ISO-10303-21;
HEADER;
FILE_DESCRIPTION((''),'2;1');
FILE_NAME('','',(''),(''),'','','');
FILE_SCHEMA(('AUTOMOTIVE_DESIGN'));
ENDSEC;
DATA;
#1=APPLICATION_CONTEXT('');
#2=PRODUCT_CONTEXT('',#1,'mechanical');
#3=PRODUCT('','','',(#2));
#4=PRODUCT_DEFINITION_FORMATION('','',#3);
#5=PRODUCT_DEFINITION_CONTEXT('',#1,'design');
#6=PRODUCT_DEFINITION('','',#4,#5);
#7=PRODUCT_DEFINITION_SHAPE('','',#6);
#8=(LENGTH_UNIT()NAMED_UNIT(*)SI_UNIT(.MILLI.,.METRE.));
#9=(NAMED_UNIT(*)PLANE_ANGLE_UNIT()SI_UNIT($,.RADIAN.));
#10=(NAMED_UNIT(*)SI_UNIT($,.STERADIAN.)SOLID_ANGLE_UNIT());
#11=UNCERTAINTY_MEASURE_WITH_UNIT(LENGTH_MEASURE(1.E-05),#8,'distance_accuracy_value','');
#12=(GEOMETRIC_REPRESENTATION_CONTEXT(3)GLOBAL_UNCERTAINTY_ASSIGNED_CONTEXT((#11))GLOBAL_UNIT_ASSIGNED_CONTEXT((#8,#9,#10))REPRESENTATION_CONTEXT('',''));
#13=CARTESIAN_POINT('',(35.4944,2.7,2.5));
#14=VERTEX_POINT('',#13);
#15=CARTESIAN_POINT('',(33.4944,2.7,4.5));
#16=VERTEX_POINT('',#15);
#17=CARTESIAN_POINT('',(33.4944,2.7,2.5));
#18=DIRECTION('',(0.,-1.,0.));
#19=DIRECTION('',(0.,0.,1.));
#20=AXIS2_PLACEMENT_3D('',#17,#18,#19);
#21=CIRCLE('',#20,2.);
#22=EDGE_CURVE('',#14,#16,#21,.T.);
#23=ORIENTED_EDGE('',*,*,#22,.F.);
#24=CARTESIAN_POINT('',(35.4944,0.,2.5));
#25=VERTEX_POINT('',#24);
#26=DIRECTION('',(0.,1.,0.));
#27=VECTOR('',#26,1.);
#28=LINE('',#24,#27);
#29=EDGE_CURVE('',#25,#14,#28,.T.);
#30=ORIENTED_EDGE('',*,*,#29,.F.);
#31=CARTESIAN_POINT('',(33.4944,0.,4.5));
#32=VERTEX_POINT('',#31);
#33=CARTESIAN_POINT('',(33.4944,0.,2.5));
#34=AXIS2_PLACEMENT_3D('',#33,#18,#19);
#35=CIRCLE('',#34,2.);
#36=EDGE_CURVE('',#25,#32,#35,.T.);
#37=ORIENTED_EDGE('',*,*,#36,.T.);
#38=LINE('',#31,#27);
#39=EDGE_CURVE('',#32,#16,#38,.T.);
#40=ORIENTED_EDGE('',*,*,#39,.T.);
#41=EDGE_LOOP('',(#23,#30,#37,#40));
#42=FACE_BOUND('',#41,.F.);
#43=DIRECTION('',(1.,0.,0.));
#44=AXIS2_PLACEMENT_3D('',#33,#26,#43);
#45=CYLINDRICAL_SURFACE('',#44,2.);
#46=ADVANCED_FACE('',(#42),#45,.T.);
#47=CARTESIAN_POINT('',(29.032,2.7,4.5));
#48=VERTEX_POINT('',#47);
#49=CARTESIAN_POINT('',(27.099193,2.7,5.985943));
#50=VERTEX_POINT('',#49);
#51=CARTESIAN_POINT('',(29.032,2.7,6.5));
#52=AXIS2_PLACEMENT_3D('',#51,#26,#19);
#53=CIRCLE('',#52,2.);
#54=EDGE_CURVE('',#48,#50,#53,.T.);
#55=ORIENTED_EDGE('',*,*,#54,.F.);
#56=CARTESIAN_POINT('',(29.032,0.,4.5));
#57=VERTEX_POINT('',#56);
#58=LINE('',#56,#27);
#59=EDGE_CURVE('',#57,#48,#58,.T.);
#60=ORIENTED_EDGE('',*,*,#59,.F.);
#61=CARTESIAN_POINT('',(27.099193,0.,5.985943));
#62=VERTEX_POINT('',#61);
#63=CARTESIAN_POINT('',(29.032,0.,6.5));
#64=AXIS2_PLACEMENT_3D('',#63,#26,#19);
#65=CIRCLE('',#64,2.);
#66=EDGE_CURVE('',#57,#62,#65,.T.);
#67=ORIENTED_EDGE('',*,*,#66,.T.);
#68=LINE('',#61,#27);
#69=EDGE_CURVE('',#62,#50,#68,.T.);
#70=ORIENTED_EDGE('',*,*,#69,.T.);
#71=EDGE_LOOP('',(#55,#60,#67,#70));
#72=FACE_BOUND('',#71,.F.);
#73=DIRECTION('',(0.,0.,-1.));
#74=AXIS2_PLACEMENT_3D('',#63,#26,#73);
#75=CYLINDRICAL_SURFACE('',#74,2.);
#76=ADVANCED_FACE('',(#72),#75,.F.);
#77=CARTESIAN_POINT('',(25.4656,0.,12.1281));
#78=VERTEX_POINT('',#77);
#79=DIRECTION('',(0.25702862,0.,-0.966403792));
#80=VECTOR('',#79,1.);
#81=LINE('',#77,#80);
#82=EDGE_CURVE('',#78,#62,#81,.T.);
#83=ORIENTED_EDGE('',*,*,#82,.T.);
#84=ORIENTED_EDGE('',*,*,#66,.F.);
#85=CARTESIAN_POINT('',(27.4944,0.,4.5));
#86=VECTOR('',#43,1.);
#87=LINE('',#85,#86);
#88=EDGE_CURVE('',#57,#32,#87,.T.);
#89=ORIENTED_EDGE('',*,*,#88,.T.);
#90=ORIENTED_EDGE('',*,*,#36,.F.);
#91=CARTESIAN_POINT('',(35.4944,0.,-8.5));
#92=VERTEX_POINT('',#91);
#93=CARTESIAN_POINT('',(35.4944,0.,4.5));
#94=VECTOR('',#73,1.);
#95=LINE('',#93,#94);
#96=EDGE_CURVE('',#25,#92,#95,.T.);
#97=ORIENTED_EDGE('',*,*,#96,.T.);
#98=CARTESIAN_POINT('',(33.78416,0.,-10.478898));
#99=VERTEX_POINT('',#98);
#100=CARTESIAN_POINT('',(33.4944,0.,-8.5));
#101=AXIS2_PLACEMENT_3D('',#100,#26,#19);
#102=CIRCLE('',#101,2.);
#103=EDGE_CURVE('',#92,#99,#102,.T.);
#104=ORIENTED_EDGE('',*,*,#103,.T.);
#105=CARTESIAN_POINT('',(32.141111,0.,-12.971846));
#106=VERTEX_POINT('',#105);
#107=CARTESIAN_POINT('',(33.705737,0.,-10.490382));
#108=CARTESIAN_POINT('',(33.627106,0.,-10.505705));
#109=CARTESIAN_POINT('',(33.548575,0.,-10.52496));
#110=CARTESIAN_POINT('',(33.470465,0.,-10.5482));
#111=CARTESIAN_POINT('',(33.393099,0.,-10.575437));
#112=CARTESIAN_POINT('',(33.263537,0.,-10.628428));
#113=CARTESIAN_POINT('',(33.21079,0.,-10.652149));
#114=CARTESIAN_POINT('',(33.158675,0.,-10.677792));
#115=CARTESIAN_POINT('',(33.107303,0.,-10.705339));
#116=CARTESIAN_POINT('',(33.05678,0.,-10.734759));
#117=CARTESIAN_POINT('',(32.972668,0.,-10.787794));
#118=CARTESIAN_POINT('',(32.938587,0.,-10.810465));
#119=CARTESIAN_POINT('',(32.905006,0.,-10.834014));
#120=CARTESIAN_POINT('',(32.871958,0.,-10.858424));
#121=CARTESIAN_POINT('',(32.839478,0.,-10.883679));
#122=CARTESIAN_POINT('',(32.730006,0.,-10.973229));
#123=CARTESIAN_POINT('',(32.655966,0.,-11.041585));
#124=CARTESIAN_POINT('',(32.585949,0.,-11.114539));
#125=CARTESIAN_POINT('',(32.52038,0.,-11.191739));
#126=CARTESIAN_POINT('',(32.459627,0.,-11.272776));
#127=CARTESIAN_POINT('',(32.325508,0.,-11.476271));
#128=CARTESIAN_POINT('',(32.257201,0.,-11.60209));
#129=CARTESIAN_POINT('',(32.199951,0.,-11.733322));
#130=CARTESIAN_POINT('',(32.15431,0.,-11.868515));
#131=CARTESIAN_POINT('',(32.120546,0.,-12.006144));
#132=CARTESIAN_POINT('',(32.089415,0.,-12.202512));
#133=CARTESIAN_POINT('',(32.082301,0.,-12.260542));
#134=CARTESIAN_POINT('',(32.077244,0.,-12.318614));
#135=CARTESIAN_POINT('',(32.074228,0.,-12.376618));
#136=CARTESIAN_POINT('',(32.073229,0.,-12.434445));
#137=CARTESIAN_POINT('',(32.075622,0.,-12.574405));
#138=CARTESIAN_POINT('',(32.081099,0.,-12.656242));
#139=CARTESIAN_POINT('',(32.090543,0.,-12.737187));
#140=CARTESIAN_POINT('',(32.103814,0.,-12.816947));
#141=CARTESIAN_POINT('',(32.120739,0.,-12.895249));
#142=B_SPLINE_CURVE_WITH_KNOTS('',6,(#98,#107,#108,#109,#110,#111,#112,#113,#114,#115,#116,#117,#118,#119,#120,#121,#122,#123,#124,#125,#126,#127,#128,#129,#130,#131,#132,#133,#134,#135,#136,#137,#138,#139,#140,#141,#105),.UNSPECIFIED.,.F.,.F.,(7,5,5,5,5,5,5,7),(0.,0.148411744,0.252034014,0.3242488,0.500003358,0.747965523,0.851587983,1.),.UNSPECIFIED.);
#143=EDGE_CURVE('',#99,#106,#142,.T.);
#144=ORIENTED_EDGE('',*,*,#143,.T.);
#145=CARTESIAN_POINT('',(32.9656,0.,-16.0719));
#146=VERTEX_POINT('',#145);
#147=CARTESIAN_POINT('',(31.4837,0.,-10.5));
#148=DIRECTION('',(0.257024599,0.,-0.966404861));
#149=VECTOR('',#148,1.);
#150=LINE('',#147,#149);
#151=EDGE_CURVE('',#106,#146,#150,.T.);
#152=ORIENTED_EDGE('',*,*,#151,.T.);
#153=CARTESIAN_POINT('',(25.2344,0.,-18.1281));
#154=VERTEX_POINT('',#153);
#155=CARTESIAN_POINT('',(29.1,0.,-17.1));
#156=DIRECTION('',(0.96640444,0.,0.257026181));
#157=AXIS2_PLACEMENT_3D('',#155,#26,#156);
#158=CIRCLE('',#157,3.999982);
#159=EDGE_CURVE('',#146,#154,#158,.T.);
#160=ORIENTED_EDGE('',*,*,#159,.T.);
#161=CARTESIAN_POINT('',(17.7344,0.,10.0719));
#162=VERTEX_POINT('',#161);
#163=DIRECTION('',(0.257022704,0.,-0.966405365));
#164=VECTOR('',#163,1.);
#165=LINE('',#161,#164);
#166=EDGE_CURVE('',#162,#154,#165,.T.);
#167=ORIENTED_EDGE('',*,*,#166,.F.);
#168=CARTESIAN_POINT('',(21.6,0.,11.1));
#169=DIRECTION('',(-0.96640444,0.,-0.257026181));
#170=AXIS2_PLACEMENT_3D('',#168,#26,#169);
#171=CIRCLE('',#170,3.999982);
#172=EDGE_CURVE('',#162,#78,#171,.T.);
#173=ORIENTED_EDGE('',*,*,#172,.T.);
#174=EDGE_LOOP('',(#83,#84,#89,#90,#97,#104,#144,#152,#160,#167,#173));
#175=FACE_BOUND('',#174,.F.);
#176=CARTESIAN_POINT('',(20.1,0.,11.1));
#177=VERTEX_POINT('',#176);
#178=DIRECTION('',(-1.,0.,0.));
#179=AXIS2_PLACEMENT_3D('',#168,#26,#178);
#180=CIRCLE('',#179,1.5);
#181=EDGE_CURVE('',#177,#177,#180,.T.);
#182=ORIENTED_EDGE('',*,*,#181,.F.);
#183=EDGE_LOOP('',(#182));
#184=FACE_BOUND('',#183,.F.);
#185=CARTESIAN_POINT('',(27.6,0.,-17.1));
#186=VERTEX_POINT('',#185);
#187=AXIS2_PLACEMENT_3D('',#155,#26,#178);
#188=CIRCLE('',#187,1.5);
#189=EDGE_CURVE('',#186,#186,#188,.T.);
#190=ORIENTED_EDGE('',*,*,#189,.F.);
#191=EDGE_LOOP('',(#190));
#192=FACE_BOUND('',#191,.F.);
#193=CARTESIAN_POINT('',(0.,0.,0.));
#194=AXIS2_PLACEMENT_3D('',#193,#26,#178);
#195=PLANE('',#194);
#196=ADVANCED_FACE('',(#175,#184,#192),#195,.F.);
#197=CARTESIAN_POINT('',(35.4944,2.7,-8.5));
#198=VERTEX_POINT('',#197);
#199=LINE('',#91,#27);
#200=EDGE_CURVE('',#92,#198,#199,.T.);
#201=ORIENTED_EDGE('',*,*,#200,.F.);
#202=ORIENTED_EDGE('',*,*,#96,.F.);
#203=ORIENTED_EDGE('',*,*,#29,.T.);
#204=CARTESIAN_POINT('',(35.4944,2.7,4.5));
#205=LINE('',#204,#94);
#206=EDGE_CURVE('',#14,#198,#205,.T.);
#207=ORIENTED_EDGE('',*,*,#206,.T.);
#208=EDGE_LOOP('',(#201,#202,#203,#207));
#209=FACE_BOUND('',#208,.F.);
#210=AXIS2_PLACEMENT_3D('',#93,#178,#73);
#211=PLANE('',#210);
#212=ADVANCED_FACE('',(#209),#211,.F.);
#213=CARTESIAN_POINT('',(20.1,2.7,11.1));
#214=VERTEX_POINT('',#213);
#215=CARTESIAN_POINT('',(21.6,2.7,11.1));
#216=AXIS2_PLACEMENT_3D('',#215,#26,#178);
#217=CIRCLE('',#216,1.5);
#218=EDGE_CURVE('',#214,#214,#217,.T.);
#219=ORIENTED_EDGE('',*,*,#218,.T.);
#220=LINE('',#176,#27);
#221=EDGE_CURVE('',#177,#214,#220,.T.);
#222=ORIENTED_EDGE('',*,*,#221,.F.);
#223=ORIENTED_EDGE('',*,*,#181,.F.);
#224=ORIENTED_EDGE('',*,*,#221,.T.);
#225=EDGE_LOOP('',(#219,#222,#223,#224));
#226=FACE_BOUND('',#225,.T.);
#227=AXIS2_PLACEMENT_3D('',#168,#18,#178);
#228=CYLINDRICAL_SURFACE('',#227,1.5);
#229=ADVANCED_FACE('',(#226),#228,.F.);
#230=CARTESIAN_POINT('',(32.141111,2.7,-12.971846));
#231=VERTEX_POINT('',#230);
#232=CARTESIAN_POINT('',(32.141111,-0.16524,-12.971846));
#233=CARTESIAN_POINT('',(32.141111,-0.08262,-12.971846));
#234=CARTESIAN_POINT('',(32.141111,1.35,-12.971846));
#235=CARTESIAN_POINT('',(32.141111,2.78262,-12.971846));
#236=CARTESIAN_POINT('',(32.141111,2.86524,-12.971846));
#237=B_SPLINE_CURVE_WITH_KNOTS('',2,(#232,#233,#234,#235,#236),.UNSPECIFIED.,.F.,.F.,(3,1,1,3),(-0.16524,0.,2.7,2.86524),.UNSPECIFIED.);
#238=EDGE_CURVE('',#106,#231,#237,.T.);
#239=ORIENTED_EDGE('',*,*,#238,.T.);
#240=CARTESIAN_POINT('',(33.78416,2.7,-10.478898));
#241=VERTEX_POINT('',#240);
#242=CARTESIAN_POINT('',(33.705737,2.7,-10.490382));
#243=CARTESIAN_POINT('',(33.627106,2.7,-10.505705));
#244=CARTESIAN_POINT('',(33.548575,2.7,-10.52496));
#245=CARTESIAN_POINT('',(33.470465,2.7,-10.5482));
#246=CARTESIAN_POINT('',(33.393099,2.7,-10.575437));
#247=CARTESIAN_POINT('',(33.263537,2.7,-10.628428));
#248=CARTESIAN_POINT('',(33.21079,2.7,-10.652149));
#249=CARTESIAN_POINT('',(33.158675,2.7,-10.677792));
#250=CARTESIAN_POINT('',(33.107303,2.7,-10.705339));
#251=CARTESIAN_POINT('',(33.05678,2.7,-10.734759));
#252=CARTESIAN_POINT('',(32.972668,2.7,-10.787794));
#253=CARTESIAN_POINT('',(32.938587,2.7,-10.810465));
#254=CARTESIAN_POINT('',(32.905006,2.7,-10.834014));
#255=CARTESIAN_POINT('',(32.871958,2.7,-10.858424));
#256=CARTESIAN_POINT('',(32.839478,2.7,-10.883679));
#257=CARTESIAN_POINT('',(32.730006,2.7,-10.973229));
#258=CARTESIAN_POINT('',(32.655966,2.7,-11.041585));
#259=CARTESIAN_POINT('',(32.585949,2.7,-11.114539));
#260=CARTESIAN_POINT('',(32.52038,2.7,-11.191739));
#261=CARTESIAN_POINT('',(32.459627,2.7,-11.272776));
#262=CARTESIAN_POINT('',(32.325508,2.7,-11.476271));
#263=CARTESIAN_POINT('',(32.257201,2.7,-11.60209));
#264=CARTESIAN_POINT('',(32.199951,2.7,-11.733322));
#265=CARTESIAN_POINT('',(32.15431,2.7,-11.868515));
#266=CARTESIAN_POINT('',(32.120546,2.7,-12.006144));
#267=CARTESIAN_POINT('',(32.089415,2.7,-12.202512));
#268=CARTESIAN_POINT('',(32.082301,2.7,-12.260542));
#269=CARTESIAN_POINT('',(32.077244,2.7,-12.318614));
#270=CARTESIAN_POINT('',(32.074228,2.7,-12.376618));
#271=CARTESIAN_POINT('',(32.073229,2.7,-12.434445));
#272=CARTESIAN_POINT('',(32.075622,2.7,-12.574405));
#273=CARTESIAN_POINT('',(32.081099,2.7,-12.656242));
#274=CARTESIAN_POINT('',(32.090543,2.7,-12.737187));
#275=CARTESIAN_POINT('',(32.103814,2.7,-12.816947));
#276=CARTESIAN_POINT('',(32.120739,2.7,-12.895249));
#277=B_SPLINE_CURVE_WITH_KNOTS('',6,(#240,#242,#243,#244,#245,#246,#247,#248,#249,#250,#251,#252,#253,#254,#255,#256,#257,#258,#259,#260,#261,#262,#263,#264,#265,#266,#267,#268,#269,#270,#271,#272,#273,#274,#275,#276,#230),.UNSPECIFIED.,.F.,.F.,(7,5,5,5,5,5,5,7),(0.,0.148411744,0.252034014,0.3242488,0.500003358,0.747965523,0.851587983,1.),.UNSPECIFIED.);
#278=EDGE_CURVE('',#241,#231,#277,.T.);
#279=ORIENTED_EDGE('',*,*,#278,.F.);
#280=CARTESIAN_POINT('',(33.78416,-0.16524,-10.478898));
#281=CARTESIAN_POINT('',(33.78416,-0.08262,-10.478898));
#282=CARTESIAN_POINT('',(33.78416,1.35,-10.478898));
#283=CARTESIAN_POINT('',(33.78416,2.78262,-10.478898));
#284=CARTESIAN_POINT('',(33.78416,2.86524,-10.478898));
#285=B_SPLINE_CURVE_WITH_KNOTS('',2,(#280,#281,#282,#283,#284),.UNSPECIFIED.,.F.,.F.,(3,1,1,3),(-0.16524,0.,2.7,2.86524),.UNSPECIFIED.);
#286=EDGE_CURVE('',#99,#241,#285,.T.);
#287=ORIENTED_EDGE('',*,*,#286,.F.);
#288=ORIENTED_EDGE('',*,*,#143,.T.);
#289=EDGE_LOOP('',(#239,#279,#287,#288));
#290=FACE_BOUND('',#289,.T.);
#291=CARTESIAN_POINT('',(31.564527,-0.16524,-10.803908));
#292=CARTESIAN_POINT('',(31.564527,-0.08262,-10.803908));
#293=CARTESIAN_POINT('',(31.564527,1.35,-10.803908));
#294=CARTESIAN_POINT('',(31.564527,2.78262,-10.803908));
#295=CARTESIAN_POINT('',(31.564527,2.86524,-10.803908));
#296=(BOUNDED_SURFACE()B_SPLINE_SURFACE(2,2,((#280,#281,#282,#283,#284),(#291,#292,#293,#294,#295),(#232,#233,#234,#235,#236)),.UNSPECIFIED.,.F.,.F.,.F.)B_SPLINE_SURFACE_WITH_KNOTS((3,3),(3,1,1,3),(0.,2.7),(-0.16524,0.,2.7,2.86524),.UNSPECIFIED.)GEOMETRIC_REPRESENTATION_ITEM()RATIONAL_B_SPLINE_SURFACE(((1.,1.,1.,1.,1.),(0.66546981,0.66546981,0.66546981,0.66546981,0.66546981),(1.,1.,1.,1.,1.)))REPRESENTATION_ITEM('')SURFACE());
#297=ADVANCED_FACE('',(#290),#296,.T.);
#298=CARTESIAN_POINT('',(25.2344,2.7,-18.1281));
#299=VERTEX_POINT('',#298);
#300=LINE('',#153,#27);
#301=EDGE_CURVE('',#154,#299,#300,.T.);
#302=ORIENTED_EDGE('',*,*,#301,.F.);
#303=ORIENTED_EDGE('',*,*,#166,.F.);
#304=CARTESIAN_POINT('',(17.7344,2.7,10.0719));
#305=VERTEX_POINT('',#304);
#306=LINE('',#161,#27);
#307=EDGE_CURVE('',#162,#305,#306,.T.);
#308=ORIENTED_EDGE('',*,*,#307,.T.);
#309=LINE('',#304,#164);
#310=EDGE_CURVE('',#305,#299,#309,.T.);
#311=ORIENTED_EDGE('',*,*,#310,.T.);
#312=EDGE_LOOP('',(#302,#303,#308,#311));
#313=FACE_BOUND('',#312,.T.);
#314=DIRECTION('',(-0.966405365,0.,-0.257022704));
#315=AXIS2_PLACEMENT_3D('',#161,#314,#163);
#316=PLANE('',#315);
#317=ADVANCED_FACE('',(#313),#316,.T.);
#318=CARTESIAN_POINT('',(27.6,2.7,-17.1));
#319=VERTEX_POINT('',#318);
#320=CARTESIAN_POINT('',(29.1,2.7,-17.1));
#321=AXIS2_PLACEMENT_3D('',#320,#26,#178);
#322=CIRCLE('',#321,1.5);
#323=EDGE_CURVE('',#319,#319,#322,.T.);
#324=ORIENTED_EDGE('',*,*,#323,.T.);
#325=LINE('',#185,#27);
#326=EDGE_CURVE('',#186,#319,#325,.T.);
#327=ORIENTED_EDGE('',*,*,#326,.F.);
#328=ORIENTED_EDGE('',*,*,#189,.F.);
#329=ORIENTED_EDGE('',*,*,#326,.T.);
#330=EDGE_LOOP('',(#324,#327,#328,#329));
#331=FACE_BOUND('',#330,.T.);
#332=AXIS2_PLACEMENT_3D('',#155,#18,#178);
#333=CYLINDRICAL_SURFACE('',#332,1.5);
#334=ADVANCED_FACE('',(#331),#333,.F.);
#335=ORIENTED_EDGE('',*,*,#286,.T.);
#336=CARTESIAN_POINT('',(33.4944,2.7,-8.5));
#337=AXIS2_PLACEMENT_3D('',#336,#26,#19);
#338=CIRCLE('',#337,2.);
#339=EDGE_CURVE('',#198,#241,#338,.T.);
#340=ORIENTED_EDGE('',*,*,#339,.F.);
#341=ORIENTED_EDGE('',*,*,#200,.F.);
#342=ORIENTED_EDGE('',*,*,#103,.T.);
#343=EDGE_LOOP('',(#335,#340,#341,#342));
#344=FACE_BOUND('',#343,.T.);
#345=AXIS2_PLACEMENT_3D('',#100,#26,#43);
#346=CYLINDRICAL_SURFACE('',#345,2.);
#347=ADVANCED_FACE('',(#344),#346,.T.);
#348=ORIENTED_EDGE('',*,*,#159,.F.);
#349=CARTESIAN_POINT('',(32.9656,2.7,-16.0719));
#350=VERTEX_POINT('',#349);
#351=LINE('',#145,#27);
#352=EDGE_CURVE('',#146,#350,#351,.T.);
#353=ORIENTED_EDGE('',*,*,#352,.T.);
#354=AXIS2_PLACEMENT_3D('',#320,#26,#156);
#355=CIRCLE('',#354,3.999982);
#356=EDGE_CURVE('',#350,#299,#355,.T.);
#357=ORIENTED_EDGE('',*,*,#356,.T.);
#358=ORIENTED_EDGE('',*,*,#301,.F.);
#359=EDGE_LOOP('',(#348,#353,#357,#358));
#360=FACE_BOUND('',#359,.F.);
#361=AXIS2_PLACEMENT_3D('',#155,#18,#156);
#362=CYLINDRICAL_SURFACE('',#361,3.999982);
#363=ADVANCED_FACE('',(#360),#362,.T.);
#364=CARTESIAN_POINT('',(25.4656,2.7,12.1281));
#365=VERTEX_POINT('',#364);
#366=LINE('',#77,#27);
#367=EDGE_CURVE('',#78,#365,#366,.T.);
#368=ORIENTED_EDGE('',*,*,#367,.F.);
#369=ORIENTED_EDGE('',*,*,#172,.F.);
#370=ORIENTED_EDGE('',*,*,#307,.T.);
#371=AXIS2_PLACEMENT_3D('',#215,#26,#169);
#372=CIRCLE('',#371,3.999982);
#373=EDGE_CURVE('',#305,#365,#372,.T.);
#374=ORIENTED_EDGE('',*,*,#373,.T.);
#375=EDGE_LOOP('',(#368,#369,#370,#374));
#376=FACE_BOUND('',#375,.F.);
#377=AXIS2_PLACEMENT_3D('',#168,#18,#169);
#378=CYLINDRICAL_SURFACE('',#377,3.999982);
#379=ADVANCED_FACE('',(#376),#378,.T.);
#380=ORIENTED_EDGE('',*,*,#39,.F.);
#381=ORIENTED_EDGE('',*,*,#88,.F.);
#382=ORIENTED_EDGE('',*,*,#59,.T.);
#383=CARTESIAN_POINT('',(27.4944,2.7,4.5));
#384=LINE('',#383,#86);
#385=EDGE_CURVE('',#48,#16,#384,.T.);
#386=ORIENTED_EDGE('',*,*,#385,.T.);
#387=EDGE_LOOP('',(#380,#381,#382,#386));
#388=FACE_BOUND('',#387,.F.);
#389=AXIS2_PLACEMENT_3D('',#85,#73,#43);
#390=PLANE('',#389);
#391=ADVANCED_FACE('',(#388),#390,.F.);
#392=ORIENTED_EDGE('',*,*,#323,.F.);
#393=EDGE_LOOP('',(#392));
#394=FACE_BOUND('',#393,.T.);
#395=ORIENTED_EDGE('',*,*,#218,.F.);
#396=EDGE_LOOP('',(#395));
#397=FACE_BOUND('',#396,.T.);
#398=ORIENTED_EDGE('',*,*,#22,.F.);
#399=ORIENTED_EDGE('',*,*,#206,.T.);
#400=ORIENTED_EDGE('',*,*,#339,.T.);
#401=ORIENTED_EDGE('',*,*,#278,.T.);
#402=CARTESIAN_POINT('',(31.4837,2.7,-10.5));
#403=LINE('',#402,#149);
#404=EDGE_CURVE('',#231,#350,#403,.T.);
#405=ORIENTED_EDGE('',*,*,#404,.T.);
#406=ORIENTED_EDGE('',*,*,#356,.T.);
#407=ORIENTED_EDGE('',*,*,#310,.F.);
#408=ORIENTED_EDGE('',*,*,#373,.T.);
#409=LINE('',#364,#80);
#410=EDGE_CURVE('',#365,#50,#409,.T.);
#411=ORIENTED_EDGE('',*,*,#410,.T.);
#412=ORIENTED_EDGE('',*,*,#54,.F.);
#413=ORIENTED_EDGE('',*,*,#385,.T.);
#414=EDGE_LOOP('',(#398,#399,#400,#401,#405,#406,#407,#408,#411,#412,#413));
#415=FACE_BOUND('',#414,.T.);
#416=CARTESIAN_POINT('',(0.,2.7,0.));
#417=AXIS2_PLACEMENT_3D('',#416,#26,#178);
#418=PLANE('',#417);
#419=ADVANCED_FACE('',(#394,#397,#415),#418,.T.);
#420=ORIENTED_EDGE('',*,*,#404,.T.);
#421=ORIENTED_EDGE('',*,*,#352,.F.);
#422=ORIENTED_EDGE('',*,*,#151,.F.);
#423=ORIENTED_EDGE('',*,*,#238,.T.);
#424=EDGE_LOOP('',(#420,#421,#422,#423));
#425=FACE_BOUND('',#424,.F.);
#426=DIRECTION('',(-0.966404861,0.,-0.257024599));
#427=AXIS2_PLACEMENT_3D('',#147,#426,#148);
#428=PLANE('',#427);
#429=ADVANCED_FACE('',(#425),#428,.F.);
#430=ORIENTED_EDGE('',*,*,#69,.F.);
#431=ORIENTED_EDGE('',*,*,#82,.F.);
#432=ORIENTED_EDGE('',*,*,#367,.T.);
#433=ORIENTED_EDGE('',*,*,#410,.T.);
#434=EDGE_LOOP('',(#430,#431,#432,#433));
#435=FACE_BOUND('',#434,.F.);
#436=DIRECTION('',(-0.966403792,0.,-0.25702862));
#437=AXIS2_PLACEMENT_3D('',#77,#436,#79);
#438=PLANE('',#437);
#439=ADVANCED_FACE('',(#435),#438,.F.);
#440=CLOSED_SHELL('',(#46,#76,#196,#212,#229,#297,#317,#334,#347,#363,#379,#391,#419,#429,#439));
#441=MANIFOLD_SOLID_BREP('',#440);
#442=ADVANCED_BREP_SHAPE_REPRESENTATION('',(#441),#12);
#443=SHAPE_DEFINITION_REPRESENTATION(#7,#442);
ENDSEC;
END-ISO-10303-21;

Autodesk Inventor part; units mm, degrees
ref_plane "YZ Plane" through (0, 0, 0) normal (1, 0, 0) x (0, 1, 0)
ref_plane "XZ Plane" through (0, 0, 0) normal (0, 1, 0) x (-1, 0, 0)
ref_plane "XY Plane" through (0, 0, 0) normal (0, 0, 1) x (1, 0, 0)
sketch "Sketch1" plane through (0, 0, 0) normal (0, 1, 0) x (-1, 0, 0)
  line L0 (0, -3) -> (-10, -3)
  circle A0 centre (-21.6, 11.1) radius 1.5
  line L1 (0, 35) -> (-45, 35)
  line L2 (0, 0) -> (0, 35)
  circle A1 centre (-29.1, -17.1) radius 1.5
  arc A2 (-17.7344, 10.0719) -> (-25.4656, 12.1281) centre (-21.6, 11.1) ccw
  arc A3 (-32.9656, -16.0719) -> (-25.2344, -18.1281) centre (-29.1, -17.1) ccw
  line L3 (-17.7344, 10.0719) -> (-25.2344, -18.1281)
  line L4 (-27.4944, 4.5) -> (-35.4944, 4.5)
  line L5 (-35.4944, 4.5) -> (-35.4944, -10.5)
  line L6 (-35.4944, -10.5) -> (-31.4837, -10.5)
  line L7 (-25.4656, 12.1281) -> (-27.4944, 4.5)
  line L8 (-31.4837, -10.5) -> (-32.9656, -16.0719)
  point P0 (-35.4944, -3)
  dimension "d0" = 10
  dimension "d1" = 3
  dimension "d2" = 14.1
  dimension "d3" = 3
  dimension "d7" = 45
  dimension "d8" = 35
  dimension "d9" = 23.4
  dimension "d10" = 3
  dimension "d11" = 14.1
  dimension "d12" = 15.9
  dimension "d13" = 2.5
  dimension "d14" = 2.5
  dimension "d15" = 15
  dimension "d16" = 8
extrude "Extrusion1" add sketch "Sketch1" along normal blind 2.7
fillet "Fillet1" radius 2 4 edges at (35.4944, 1.35, 4.5) (27.4944, 1.35, 4.5) (35.4944, 1.35, -10.5) (31.4837, 1.35, -10.5)
properties part number "SujecionServo"
